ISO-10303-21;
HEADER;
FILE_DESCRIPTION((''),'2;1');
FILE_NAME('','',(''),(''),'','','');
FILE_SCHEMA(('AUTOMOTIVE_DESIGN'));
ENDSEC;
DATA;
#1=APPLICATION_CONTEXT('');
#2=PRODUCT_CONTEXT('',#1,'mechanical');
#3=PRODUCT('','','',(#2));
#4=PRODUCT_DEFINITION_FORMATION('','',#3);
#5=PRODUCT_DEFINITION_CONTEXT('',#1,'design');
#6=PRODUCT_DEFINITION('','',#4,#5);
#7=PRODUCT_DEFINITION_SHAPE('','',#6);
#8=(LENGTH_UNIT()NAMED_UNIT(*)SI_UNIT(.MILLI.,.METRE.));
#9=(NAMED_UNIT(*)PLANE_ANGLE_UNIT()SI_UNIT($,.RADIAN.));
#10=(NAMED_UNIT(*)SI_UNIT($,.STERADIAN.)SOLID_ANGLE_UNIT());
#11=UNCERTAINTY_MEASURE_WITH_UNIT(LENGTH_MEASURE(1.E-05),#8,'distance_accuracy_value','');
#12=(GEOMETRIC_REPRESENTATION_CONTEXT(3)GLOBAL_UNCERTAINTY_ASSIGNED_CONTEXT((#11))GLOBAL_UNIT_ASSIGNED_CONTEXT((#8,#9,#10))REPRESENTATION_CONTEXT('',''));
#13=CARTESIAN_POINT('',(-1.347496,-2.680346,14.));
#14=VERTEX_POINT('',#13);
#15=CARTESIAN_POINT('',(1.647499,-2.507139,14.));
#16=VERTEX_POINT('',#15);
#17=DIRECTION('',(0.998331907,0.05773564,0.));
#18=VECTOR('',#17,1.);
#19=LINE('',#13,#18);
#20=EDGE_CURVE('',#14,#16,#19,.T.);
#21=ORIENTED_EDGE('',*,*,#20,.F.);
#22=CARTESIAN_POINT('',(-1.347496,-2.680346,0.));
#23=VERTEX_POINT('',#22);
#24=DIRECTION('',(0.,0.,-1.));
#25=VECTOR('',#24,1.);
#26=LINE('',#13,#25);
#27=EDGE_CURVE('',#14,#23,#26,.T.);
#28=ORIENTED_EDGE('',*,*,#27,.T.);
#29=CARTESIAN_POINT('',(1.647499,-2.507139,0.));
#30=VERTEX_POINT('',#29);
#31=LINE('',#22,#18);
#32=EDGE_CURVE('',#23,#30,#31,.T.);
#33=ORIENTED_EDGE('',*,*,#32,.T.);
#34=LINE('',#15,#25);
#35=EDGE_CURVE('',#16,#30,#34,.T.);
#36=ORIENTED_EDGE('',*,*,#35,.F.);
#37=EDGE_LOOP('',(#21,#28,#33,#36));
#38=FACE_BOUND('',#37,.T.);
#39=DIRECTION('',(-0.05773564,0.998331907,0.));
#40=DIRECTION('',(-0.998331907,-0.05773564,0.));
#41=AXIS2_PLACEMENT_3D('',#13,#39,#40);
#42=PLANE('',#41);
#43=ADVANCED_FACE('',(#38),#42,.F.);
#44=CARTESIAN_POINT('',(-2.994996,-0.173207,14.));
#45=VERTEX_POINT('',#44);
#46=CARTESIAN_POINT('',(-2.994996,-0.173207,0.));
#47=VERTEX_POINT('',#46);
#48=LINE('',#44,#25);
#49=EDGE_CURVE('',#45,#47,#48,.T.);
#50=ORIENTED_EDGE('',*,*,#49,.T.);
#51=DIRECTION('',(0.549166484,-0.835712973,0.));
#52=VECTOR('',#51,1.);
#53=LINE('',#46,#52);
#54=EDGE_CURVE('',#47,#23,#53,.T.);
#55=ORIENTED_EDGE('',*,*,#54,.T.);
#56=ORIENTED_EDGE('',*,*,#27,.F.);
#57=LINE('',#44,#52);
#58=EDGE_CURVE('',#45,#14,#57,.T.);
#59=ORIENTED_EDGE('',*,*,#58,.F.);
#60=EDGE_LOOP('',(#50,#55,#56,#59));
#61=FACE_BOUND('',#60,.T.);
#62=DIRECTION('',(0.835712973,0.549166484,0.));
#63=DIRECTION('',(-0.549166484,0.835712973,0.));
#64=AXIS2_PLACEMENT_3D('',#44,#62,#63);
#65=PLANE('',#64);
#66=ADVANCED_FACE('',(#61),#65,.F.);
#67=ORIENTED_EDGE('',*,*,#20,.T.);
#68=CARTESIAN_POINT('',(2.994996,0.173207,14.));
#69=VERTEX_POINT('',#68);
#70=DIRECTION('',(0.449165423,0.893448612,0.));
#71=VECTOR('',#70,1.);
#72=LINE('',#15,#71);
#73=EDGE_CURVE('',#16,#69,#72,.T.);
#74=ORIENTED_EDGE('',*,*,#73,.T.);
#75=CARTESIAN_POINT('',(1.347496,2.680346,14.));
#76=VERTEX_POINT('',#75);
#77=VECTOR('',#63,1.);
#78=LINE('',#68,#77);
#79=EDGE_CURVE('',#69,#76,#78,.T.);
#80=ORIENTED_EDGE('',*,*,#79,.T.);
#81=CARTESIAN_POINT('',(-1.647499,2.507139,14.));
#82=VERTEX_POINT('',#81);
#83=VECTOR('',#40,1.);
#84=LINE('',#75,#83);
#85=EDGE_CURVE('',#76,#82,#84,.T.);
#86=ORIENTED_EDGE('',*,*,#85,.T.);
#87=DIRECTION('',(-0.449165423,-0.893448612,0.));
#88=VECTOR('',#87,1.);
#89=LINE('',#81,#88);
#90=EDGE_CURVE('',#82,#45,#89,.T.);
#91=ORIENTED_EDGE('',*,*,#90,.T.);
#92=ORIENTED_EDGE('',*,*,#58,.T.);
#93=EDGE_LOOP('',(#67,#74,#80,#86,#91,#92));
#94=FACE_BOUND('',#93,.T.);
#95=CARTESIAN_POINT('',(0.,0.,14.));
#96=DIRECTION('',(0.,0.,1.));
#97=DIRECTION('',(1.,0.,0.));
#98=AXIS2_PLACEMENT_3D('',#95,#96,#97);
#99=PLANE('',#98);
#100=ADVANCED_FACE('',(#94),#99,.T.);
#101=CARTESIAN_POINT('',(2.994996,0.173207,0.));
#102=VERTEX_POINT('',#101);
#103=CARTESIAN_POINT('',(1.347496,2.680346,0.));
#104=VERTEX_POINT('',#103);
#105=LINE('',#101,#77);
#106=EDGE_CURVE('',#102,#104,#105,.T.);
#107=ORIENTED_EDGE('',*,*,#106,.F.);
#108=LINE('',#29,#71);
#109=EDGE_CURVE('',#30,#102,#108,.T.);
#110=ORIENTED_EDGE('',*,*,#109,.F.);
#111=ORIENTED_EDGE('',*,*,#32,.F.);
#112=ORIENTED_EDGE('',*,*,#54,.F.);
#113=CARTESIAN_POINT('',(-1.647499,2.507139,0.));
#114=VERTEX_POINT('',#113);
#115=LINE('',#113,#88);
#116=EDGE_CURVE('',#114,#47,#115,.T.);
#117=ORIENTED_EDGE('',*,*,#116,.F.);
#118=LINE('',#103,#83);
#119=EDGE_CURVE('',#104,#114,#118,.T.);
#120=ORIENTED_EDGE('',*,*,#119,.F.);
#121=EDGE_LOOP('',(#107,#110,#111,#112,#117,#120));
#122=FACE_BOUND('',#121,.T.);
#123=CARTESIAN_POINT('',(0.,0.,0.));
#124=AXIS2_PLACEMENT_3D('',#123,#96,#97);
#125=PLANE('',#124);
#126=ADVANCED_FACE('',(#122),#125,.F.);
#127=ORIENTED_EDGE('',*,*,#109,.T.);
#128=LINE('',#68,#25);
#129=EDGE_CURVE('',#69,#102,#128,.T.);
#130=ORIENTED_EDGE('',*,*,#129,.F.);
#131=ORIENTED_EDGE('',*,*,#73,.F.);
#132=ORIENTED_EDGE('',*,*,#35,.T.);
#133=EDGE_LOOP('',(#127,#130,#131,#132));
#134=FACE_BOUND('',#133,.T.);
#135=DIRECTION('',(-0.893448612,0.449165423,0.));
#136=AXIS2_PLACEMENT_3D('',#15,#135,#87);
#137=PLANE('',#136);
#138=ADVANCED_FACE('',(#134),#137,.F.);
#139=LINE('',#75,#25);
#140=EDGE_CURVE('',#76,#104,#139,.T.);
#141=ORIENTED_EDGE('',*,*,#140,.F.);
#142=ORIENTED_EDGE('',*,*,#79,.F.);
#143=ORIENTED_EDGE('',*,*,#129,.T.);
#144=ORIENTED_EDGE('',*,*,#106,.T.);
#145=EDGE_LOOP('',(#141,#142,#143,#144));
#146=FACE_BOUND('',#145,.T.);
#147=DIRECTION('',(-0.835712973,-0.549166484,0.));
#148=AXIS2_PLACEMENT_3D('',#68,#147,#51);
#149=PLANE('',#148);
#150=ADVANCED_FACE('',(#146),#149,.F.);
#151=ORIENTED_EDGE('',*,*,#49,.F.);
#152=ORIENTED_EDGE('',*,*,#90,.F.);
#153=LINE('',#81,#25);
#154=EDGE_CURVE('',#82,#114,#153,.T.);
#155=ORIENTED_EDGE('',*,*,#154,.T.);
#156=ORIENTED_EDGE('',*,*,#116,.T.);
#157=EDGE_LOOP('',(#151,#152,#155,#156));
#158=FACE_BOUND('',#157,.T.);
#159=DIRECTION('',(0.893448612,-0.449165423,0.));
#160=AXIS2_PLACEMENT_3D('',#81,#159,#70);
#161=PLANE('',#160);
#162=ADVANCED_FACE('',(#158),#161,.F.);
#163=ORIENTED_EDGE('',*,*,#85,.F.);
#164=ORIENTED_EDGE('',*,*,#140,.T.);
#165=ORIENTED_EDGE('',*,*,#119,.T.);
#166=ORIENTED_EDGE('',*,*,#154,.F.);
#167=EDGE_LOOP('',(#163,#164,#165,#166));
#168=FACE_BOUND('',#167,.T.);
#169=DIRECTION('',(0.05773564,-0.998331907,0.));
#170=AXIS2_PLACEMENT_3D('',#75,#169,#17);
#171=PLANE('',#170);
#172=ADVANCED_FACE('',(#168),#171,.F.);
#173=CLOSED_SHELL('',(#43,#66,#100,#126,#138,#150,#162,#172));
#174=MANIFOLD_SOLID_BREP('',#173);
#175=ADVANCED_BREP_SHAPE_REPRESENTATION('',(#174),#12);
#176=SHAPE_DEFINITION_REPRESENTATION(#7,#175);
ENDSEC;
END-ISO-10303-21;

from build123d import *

# Parameters (mm, degrees)
BOSS_EXTRU_1_DEPTH = 14


with BuildPart() as part:
    # Esquisse1 → Boss.-Extru.1 (new body)
    with BuildSketch(Plane.XY):
        Polygon((1.347496268, 2.680345837), (-1.647499452, 2.507138918), (-2.99499572, -0.173206919), (-1.347496268, -2.680345837), (1.647499452, -2.507138918), (2.99499572, 0.173206919), align=None)
    extrude(amount=BOSS_EXTRU_1_DEPTH)


solid = part.part
